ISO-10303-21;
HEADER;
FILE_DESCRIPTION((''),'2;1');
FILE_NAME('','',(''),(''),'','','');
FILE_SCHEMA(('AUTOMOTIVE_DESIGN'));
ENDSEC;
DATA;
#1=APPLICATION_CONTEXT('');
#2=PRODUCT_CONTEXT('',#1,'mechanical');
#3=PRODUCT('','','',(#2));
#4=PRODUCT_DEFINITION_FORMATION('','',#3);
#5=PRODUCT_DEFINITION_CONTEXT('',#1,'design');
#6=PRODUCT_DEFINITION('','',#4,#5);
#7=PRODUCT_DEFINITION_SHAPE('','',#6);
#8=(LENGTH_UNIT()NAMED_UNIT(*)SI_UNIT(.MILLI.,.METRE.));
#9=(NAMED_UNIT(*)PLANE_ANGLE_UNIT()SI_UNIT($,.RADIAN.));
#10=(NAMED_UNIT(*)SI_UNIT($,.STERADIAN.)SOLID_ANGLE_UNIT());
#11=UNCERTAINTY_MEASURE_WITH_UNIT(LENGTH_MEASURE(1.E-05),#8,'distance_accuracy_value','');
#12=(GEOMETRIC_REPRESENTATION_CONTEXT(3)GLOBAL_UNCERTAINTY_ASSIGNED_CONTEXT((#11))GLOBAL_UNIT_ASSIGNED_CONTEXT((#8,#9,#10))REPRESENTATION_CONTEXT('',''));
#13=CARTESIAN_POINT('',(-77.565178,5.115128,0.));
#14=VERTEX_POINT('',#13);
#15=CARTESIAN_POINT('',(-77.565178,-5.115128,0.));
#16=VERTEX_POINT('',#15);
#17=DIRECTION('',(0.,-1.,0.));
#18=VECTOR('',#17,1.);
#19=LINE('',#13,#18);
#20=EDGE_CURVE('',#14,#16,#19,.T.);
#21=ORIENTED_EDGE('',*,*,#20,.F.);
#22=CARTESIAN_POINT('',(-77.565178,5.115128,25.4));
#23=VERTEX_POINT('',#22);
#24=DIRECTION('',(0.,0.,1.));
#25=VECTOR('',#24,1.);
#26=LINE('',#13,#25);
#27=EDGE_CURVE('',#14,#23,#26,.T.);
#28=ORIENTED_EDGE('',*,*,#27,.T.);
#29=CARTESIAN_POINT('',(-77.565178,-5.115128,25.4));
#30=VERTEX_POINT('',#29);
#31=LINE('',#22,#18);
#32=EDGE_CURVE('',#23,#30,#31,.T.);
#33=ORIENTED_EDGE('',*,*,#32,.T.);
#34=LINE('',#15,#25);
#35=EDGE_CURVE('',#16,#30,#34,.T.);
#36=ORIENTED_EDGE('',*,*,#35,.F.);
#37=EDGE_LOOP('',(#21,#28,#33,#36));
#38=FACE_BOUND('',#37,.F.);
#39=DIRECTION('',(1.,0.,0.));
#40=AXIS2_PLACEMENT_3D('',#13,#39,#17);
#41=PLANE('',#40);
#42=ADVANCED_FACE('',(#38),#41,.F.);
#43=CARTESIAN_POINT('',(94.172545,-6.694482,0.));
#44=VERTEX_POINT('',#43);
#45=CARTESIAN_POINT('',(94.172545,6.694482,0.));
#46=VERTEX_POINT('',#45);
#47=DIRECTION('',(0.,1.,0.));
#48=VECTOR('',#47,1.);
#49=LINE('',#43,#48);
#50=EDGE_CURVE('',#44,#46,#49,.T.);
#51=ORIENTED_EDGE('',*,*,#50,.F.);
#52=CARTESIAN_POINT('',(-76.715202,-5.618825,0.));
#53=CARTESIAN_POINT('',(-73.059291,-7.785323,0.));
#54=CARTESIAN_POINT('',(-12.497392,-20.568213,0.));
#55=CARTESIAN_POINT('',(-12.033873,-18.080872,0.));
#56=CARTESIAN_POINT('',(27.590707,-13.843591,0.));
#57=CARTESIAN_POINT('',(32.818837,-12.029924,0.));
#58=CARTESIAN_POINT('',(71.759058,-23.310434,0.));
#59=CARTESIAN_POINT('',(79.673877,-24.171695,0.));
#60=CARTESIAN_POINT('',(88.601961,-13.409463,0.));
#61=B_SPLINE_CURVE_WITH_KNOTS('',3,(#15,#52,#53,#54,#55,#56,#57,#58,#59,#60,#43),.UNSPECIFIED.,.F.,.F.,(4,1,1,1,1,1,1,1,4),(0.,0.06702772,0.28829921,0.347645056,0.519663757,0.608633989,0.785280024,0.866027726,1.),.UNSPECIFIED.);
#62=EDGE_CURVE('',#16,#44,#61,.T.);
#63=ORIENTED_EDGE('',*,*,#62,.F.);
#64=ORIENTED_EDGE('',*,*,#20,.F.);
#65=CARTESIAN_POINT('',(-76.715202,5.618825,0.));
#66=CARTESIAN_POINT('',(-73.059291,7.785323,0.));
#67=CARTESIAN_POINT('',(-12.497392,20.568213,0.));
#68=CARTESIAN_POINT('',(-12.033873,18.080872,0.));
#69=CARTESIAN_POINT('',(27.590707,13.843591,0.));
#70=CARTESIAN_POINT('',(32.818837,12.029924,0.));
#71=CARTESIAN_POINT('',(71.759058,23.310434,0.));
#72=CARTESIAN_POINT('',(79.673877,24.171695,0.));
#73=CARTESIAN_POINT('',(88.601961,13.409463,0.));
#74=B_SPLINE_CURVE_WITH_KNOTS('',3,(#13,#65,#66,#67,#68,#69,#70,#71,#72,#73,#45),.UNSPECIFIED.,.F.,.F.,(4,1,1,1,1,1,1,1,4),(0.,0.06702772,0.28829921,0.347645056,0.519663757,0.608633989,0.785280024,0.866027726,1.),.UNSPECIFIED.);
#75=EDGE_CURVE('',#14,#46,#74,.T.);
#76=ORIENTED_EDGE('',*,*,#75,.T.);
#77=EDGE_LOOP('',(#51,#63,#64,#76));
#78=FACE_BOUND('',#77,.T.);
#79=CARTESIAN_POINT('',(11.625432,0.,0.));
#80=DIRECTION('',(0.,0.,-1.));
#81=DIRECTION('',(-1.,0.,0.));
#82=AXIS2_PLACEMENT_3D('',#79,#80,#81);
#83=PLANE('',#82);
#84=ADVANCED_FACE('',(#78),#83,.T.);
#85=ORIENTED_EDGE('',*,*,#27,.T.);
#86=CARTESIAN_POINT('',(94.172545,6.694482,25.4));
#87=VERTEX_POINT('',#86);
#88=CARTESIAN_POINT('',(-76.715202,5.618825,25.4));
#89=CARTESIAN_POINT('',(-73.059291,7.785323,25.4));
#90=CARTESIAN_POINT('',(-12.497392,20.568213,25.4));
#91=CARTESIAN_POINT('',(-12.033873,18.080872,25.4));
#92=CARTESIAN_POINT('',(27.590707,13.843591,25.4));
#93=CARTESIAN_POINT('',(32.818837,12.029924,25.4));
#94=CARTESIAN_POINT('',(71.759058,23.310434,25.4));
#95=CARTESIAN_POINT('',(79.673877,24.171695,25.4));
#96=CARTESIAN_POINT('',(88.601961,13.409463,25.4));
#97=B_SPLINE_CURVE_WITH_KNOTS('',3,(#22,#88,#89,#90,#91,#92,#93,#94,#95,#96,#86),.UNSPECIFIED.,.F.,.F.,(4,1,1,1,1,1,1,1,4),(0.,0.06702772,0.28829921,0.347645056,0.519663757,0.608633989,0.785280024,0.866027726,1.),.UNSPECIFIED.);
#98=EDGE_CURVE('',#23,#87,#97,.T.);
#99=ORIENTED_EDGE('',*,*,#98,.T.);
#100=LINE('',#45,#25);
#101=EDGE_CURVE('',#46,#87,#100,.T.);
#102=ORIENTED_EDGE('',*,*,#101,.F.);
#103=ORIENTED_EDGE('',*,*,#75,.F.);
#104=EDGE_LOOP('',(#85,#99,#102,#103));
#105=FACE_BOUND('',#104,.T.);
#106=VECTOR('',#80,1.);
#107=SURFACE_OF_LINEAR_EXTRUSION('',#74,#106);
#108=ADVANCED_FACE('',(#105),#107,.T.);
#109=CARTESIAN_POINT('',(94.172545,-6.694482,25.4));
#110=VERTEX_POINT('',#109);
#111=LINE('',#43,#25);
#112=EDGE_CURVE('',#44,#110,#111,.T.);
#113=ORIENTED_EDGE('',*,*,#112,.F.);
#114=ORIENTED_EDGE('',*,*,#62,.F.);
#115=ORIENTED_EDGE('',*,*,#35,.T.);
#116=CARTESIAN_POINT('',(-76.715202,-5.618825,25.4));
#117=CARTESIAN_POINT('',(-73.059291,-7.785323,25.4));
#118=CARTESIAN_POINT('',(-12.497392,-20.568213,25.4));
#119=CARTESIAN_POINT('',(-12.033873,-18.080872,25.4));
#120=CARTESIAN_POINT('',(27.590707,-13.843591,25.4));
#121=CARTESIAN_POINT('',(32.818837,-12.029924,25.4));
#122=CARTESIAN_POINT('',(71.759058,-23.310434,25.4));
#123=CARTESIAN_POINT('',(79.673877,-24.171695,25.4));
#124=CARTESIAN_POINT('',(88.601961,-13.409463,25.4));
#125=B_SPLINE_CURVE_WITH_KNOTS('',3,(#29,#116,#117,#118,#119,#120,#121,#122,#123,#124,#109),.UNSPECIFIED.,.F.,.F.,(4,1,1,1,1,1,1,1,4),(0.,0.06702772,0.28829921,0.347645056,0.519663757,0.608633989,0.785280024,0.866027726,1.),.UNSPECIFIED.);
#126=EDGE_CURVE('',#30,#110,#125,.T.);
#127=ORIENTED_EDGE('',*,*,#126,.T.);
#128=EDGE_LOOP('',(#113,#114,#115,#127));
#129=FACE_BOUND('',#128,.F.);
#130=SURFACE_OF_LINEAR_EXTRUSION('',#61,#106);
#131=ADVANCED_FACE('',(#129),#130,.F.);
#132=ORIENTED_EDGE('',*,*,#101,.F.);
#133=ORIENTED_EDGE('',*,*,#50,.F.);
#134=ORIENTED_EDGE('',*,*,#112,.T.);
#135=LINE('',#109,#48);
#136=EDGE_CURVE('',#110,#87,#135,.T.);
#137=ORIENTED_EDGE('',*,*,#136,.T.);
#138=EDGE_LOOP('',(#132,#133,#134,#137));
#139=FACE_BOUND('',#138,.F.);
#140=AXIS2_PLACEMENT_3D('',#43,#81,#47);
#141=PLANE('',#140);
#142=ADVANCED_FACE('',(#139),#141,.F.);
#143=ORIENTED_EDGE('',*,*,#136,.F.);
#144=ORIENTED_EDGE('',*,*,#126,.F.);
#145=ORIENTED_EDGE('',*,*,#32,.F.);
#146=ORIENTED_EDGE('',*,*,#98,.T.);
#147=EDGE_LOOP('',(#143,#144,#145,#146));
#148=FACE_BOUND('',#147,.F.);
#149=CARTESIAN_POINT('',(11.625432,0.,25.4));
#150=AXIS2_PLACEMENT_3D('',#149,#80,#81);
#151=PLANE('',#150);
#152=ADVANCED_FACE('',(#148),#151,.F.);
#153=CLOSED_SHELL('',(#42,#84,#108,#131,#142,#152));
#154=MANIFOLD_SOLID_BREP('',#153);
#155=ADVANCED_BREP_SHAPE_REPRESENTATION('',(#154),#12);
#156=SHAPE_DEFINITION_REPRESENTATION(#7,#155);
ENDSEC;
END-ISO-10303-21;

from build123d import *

# Parameters (mm, degrees)
F1_DEPTH = 25.4


with BuildPart() as f1:
    # F0 (on Top) → F1 (new body)
    with BuildSketch(Plane.XY):
        with BuildLine():
            add(Edge.make_bspline(
                [(-77.5651782751, 5.1151281223), (-76.7152022931, 5.6188250871), (-73.0592909497, 7.7853233015), (-12.49739247, 20.5682129335), (-12.0338732882, 18.0808716912), (27.5907069199, 13.8435911931), (32.8188369344, 12.029923943), (71.7590580126, 23.3104338393), (79.6738768464, 24.171694994), (88.6019606535, 13.40946349), (94.1725447774, 6.6944821738)],
                knots=[0, 0, 0, 0, 0.0670277205, 0.2882992096, 0.3476450564, 0.5196637571, 0.6086339894, 0.7852800243, 0.8660277263, 1, 1, 1, 1], degree=3))
            Line((-77.5651782751, 5.1151281223), (-77.5651782751, -5.1151281223))
            add(Edge.make_bspline(
                [(-77.5651782751, -5.1151281223), (-76.7152022931, -5.6188250871), (-73.0592909497, -7.7853233015), (-12.49739247, -20.5682129335), (-12.0338732882, -18.0808716912), (27.5907069199, -13.8435911931), (32.8188369344, -12.029923943), (71.7590580126, -23.3104338393), (79.6738768464, -24.171694994), (88.6019606535, -13.40946349), (94.1725447774, -6.6944821738)],
                knots=[0, 0, 0, 0, 0.0670277205, 0.2882992096, 0.3476450564, 0.5196637571, 0.6086339894, 0.7852800243, 0.8660277263, 1, 1, 1, 1], degree=3))
            Line((94.1725447774, -6.6944821738), (94.1725447774, 6.6944821738))
        make_face()
    extrude(amount=F1_DEPTH)


solid = f1.part
